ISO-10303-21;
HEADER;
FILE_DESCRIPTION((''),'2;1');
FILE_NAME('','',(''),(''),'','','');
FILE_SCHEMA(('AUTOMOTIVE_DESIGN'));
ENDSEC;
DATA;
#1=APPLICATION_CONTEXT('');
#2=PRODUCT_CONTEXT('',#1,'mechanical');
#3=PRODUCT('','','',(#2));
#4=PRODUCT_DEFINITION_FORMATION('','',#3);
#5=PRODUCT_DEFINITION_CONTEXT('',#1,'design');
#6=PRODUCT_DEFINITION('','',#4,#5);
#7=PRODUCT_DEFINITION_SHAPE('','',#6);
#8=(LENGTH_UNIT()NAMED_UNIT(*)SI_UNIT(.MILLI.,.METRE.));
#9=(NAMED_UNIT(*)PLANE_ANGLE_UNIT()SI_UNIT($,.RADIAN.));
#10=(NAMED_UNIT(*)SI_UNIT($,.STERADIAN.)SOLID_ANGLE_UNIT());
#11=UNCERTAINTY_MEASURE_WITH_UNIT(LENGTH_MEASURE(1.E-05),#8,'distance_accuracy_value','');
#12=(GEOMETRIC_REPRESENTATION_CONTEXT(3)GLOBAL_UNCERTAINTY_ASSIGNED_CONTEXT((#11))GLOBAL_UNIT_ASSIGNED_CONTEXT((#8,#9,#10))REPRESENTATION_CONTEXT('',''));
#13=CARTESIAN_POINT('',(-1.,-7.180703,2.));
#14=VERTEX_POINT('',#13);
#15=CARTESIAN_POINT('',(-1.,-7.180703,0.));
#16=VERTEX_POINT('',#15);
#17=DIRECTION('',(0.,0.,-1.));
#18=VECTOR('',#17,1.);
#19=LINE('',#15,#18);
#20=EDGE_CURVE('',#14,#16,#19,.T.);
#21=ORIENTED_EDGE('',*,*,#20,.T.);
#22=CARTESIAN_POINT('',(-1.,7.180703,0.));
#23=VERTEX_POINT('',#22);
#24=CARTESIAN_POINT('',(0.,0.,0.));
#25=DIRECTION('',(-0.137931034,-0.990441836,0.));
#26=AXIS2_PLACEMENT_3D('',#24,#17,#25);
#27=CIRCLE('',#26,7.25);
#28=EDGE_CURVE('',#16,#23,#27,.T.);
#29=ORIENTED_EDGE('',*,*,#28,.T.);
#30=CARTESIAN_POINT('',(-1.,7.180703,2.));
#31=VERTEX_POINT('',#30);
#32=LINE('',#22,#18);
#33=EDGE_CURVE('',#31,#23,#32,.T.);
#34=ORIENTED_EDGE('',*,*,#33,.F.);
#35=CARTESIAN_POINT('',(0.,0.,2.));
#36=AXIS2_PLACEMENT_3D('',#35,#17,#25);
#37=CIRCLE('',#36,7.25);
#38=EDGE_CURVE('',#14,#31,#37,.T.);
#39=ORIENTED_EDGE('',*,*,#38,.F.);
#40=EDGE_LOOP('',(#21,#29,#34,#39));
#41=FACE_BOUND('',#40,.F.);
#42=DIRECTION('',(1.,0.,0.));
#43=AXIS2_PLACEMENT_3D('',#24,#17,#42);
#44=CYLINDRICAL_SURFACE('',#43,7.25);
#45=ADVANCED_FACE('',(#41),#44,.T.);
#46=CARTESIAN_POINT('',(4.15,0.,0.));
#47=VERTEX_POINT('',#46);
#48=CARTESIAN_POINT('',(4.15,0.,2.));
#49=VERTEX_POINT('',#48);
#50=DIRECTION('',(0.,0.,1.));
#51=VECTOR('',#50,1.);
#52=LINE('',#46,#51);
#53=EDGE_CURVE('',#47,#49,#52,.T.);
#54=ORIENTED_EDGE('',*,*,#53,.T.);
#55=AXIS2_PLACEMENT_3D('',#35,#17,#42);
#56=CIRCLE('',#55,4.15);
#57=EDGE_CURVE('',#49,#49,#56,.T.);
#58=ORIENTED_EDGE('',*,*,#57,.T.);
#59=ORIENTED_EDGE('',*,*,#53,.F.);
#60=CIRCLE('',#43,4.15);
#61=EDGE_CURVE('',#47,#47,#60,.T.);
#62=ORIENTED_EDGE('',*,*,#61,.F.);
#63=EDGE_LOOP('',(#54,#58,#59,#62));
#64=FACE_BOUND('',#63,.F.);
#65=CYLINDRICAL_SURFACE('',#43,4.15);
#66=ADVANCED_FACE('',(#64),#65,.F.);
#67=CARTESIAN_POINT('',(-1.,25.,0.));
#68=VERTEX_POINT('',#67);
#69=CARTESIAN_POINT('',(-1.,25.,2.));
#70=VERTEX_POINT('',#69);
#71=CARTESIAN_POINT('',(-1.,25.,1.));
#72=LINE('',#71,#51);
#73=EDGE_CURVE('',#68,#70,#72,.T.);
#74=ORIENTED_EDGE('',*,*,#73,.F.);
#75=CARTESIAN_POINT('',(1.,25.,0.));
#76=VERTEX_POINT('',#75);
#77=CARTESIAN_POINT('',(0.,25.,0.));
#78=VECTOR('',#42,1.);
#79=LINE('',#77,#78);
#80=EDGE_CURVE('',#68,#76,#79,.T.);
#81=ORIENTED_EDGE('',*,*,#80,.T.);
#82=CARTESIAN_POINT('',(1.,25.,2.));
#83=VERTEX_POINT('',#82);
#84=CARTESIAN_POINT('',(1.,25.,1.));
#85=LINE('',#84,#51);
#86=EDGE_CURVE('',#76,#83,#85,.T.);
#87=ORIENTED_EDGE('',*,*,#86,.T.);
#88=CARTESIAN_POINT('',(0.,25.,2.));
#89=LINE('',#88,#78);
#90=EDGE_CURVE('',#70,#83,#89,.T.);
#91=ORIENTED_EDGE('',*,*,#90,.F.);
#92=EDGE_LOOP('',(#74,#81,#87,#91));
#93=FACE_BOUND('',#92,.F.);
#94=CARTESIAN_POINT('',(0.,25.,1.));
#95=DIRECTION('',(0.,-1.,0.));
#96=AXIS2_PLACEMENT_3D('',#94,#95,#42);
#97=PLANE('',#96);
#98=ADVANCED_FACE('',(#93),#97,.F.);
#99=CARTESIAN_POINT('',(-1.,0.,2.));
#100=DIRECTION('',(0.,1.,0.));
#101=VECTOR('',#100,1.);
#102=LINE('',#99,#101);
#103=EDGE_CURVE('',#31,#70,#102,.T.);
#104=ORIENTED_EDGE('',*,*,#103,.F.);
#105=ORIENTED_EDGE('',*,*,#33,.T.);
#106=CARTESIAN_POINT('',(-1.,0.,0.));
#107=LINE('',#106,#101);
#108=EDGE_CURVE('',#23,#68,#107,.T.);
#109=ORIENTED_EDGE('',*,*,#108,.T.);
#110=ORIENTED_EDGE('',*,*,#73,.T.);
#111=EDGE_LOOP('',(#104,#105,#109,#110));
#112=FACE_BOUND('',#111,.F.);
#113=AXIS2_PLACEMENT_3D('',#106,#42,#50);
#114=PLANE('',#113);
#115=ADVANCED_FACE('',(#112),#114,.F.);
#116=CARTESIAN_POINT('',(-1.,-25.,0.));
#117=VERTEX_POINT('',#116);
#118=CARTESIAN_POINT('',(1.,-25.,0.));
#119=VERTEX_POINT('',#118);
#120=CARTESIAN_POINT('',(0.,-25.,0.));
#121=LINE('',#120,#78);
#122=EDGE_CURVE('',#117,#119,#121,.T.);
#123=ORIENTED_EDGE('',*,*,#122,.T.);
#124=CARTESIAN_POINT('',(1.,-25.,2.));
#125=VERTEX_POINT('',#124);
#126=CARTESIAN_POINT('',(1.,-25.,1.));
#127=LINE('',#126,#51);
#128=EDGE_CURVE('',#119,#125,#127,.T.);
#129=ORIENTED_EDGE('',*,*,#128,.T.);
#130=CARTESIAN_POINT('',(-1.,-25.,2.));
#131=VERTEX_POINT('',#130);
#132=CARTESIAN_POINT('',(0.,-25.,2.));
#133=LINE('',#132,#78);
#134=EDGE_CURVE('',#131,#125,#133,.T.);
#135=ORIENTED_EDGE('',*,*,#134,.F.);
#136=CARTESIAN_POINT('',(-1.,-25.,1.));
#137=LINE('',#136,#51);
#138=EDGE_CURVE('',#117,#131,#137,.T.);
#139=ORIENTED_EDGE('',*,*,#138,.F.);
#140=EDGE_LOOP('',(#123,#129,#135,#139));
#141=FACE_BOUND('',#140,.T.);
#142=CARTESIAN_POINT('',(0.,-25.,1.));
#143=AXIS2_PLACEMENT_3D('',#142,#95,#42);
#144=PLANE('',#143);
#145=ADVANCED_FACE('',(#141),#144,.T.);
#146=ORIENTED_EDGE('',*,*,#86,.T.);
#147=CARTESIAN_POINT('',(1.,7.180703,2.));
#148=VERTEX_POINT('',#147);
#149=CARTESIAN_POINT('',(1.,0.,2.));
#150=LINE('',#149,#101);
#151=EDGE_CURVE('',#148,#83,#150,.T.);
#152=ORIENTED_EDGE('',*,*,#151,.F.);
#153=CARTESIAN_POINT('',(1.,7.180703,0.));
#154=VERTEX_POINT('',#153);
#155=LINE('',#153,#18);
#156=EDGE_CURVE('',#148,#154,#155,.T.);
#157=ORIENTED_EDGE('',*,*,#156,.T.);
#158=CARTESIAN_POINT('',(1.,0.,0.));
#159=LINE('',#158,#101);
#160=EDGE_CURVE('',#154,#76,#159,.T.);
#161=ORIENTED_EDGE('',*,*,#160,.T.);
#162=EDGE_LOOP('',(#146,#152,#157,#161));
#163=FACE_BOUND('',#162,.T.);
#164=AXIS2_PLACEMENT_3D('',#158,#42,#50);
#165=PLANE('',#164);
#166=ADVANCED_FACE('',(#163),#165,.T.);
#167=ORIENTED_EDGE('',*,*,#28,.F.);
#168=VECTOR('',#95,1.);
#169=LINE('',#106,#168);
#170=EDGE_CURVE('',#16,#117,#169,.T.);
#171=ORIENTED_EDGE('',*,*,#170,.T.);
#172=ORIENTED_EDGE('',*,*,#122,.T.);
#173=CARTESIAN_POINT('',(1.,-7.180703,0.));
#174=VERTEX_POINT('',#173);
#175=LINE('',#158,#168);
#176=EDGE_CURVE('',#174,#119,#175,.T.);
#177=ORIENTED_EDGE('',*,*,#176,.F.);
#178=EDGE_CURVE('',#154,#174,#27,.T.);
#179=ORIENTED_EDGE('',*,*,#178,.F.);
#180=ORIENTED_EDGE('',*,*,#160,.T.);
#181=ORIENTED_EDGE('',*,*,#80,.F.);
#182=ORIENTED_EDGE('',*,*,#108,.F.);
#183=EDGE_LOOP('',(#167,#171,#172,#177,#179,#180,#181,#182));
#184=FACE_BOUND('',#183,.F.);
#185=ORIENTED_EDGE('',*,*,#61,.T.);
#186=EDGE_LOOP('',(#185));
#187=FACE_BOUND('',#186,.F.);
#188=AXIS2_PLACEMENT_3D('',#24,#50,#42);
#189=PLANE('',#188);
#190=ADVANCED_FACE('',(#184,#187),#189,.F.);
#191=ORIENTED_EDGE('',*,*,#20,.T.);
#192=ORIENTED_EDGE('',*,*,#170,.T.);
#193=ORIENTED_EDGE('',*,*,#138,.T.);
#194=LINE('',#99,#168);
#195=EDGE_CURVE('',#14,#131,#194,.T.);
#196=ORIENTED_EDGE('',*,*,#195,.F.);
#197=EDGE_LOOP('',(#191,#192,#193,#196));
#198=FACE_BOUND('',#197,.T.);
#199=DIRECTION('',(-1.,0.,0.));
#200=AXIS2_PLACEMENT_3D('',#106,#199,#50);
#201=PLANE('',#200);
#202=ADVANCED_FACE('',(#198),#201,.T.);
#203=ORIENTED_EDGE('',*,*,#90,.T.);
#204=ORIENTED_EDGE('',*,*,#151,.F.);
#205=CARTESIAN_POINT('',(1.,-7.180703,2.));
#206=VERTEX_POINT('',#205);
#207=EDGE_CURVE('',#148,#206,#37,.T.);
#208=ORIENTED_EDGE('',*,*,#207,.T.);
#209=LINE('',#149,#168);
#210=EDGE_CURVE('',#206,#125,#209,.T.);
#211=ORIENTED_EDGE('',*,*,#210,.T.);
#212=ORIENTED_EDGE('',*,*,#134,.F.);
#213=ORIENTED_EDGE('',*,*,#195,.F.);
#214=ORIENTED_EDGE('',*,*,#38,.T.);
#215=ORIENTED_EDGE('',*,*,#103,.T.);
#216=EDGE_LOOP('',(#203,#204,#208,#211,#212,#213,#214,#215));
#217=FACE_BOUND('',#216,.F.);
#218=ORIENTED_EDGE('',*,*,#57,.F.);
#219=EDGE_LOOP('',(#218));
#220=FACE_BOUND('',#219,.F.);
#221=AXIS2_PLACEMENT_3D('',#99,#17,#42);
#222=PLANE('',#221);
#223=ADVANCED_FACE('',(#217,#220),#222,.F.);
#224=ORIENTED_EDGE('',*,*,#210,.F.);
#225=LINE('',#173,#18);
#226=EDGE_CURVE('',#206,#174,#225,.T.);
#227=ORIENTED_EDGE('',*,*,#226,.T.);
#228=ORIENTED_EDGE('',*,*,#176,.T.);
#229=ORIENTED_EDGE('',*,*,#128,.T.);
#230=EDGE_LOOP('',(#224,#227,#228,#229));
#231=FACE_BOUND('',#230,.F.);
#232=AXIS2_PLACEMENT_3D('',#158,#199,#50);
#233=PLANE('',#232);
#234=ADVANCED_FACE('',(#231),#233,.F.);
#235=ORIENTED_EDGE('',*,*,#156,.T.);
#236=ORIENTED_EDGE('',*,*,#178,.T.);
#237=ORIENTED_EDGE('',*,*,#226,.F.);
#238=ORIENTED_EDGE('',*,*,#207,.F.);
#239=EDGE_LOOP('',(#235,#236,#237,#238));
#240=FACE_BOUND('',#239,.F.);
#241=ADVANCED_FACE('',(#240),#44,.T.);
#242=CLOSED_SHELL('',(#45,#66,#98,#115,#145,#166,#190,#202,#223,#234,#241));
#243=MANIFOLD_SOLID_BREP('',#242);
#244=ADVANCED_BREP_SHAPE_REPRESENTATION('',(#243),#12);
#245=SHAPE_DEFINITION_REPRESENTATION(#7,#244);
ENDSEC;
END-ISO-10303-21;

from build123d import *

# Parameters (mm, degrees)
F0_R          = 7.25
F1_DEPTH      = 2
F4_W          = 2
F4_H          = 2
F2_DEPTH      = 25
F2_DEPTH_BACK = 25
F3_R          = 4.15
F5_DEPTH      = 25


with BuildPart() as f1:
    # F0 (on Top) → F1 (new body)
    with BuildSketch(Plane.XY):
        Circle(F0_R)
    extrude(amount=F1_DEPTH)

    # F4 (on Front) → F2 (join, two sides)
    with BuildSketch(Plane.XZ) as f2_sk:
        with Locations((0, 1)):
            Rectangle(F4_W, F4_H)
    extrude(amount=F2_DEPTH)
    extrude(f2_sk.sketch, amount=-F2_DEPTH_BACK)

    # F3 (on face) → F5 (cut)
    with BuildSketch(Plane(origin=(0, 0, 0), x_dir=(1, 0, 0), z_dir=(0, 0, -1))):
        Circle(F3_R)
    extrude(amount=-F5_DEPTH, mode=Mode.SUBTRACT)


solid = f1.part
